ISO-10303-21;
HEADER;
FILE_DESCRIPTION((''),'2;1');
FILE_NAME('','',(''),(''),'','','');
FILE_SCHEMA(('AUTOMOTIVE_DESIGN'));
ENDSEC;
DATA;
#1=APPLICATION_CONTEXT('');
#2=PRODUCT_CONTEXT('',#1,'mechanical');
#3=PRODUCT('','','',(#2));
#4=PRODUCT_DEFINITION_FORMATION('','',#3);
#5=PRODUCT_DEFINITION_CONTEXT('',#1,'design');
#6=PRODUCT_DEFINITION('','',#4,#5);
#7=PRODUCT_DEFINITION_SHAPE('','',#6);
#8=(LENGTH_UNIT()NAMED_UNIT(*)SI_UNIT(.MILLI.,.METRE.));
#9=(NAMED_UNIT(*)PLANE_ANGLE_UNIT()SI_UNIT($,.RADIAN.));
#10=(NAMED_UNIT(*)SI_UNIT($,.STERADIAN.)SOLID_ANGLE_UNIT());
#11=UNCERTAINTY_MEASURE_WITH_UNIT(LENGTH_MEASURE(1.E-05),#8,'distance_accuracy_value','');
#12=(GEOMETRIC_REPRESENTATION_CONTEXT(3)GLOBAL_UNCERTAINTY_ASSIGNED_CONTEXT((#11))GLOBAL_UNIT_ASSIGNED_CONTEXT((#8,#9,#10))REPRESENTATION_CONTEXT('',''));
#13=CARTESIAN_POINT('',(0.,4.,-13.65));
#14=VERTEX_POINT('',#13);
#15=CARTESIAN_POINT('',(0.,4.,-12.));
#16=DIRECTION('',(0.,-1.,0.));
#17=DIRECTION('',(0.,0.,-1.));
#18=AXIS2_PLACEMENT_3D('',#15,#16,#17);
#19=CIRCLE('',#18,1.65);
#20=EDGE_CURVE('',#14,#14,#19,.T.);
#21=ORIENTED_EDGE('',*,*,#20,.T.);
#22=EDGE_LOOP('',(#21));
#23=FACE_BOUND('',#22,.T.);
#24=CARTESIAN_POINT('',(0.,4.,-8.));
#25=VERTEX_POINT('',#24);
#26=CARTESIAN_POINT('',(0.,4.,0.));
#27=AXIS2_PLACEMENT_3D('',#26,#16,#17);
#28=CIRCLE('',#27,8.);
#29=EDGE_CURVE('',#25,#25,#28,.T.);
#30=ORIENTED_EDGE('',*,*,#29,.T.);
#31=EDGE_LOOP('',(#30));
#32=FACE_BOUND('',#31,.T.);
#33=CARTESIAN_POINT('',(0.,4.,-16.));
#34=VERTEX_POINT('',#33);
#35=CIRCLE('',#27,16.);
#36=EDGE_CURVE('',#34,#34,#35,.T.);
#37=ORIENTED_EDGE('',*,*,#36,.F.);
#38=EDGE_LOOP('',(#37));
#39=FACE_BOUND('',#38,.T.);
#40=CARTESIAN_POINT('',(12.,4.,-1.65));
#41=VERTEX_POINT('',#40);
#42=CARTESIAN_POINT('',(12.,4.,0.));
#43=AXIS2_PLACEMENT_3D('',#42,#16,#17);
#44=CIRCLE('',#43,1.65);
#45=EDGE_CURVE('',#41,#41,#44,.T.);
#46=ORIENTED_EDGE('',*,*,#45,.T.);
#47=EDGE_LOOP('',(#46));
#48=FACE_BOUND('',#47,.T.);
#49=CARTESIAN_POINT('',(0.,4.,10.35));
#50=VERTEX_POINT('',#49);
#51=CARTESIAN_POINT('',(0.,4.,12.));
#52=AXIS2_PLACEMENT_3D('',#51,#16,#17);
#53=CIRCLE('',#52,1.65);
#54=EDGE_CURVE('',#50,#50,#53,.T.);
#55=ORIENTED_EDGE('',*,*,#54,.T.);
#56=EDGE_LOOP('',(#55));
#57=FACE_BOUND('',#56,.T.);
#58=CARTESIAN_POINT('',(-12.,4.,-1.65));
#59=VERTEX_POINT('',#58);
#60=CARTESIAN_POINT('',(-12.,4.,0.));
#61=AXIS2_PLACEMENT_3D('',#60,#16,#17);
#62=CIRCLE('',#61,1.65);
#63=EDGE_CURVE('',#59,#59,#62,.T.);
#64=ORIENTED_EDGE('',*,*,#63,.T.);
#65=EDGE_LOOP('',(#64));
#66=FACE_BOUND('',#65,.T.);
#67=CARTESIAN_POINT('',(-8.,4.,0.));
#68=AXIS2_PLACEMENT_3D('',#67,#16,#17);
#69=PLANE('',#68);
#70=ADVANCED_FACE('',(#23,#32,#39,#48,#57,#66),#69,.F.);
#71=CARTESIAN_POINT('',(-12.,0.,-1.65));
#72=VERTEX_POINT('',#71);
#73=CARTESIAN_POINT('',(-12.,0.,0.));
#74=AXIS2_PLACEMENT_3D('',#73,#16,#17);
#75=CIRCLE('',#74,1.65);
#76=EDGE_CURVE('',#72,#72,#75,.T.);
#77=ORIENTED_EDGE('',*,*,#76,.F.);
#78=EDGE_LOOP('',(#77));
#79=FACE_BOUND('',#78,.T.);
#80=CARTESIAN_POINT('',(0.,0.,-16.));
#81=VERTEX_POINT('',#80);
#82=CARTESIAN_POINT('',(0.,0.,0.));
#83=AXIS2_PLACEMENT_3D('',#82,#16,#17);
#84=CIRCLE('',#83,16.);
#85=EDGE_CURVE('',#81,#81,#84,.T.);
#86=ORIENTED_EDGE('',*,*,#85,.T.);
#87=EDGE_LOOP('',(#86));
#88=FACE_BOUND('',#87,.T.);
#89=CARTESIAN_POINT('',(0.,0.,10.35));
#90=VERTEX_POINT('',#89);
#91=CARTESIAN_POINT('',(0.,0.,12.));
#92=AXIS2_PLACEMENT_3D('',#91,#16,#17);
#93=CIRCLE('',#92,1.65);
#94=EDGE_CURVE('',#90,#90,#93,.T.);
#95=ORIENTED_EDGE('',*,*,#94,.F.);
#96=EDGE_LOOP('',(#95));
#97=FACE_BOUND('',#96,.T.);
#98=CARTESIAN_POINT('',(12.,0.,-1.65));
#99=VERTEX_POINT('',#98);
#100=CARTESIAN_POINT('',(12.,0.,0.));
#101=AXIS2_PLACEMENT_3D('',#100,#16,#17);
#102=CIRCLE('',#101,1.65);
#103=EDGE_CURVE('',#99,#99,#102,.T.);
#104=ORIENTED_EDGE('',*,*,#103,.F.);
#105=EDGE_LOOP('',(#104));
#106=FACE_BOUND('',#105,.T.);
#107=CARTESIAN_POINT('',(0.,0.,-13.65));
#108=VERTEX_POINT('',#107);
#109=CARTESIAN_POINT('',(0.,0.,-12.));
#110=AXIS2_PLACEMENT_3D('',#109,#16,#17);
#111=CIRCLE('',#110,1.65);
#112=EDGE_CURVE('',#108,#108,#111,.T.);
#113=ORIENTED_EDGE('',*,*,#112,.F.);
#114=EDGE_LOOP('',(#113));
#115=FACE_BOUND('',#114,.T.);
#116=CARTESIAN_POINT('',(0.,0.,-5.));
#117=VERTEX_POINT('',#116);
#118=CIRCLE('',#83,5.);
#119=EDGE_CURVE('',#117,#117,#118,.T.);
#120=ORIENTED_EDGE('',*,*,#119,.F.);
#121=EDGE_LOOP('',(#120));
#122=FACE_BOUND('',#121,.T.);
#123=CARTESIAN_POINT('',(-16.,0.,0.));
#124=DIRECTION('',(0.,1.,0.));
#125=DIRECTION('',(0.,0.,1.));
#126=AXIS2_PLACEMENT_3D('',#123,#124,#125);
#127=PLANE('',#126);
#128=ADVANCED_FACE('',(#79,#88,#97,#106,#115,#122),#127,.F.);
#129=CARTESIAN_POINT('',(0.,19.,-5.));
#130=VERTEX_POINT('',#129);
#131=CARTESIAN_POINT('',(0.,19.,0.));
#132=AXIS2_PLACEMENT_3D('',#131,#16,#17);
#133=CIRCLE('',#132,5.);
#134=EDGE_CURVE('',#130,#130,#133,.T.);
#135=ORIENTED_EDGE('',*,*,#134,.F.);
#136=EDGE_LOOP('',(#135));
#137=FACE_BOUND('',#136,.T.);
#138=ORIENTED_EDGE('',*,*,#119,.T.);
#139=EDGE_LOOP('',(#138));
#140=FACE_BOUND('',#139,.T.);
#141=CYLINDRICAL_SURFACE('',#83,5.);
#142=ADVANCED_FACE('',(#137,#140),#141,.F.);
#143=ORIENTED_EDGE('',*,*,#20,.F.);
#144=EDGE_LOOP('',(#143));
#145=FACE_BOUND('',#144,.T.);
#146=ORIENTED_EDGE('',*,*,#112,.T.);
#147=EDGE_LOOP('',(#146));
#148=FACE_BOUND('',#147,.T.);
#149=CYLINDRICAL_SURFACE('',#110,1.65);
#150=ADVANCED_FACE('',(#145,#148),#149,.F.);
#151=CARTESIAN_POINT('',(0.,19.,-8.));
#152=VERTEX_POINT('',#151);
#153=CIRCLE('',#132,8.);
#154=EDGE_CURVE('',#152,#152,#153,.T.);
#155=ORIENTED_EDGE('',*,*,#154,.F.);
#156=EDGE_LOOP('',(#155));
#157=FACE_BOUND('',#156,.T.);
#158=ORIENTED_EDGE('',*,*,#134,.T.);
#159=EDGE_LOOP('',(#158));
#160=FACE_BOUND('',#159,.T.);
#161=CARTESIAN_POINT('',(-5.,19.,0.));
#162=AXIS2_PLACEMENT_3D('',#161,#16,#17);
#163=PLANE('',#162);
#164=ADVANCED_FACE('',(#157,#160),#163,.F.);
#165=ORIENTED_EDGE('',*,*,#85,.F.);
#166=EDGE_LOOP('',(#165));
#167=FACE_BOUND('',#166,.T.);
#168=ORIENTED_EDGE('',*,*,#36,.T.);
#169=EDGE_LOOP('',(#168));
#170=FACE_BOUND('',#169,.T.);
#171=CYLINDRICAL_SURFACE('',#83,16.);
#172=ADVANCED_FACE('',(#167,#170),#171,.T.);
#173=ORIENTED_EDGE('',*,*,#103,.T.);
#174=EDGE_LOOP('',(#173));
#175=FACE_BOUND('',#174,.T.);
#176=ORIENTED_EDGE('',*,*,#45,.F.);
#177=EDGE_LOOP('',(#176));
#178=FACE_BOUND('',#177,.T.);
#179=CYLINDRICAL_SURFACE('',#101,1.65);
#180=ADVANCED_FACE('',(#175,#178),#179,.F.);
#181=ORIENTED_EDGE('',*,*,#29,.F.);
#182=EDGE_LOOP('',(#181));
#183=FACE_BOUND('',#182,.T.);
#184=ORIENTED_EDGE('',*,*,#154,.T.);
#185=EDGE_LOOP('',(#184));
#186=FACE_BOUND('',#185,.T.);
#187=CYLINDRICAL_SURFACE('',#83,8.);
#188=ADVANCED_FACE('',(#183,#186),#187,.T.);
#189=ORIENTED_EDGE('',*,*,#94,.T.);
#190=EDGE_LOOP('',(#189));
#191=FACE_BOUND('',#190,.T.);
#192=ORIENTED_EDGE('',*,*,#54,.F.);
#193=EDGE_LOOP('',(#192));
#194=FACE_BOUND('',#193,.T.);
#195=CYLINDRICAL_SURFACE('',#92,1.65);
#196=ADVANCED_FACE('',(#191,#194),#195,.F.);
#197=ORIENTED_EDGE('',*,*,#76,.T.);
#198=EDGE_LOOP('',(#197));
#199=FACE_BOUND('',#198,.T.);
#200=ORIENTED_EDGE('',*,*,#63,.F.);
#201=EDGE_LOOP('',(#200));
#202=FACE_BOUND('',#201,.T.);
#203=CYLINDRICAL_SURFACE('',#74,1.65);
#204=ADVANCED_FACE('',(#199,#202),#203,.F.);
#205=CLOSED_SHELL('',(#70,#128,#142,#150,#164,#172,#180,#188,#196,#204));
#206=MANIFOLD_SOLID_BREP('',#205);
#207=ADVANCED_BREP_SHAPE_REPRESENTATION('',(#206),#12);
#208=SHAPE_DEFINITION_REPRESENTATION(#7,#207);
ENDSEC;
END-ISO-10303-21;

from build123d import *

# Parameters (mm, degrees)
F_3_3_3_3_DIAMETER_HOLE1_D = 3.3


with BuildPart() as part:
    # Sketch1 → Revolve1 (revolve)
    with BuildSketch(Plane.XY, mode=Mode.PRIVATE) as revolve1_sk:
        Polygon((-5, 0), (-5, 19), (-8, 19), (-8, 4), (-16, 4), (-16, 0), align=None)
    revolve(revolve1_sk.sketch.rotate(Axis((0, 0, 0), (0, 1, 0)), 270), axis=Axis((0, 0, 0), (0, 1, 0)))

    # Ø3.3 (3.3) Diameter Hole1 (through all)
    with Locations(Plane(origin=(0, 0, 0), x_dir=(-1, 0, 0), z_dir=(0, -1, 0))):
        with Locations((-12, 0), (0, 12), (12, 0), (0, -12)):
            Hole(F_3_3_3_3_DIAMETER_HOLE1_D / 2)


solid = part.part
